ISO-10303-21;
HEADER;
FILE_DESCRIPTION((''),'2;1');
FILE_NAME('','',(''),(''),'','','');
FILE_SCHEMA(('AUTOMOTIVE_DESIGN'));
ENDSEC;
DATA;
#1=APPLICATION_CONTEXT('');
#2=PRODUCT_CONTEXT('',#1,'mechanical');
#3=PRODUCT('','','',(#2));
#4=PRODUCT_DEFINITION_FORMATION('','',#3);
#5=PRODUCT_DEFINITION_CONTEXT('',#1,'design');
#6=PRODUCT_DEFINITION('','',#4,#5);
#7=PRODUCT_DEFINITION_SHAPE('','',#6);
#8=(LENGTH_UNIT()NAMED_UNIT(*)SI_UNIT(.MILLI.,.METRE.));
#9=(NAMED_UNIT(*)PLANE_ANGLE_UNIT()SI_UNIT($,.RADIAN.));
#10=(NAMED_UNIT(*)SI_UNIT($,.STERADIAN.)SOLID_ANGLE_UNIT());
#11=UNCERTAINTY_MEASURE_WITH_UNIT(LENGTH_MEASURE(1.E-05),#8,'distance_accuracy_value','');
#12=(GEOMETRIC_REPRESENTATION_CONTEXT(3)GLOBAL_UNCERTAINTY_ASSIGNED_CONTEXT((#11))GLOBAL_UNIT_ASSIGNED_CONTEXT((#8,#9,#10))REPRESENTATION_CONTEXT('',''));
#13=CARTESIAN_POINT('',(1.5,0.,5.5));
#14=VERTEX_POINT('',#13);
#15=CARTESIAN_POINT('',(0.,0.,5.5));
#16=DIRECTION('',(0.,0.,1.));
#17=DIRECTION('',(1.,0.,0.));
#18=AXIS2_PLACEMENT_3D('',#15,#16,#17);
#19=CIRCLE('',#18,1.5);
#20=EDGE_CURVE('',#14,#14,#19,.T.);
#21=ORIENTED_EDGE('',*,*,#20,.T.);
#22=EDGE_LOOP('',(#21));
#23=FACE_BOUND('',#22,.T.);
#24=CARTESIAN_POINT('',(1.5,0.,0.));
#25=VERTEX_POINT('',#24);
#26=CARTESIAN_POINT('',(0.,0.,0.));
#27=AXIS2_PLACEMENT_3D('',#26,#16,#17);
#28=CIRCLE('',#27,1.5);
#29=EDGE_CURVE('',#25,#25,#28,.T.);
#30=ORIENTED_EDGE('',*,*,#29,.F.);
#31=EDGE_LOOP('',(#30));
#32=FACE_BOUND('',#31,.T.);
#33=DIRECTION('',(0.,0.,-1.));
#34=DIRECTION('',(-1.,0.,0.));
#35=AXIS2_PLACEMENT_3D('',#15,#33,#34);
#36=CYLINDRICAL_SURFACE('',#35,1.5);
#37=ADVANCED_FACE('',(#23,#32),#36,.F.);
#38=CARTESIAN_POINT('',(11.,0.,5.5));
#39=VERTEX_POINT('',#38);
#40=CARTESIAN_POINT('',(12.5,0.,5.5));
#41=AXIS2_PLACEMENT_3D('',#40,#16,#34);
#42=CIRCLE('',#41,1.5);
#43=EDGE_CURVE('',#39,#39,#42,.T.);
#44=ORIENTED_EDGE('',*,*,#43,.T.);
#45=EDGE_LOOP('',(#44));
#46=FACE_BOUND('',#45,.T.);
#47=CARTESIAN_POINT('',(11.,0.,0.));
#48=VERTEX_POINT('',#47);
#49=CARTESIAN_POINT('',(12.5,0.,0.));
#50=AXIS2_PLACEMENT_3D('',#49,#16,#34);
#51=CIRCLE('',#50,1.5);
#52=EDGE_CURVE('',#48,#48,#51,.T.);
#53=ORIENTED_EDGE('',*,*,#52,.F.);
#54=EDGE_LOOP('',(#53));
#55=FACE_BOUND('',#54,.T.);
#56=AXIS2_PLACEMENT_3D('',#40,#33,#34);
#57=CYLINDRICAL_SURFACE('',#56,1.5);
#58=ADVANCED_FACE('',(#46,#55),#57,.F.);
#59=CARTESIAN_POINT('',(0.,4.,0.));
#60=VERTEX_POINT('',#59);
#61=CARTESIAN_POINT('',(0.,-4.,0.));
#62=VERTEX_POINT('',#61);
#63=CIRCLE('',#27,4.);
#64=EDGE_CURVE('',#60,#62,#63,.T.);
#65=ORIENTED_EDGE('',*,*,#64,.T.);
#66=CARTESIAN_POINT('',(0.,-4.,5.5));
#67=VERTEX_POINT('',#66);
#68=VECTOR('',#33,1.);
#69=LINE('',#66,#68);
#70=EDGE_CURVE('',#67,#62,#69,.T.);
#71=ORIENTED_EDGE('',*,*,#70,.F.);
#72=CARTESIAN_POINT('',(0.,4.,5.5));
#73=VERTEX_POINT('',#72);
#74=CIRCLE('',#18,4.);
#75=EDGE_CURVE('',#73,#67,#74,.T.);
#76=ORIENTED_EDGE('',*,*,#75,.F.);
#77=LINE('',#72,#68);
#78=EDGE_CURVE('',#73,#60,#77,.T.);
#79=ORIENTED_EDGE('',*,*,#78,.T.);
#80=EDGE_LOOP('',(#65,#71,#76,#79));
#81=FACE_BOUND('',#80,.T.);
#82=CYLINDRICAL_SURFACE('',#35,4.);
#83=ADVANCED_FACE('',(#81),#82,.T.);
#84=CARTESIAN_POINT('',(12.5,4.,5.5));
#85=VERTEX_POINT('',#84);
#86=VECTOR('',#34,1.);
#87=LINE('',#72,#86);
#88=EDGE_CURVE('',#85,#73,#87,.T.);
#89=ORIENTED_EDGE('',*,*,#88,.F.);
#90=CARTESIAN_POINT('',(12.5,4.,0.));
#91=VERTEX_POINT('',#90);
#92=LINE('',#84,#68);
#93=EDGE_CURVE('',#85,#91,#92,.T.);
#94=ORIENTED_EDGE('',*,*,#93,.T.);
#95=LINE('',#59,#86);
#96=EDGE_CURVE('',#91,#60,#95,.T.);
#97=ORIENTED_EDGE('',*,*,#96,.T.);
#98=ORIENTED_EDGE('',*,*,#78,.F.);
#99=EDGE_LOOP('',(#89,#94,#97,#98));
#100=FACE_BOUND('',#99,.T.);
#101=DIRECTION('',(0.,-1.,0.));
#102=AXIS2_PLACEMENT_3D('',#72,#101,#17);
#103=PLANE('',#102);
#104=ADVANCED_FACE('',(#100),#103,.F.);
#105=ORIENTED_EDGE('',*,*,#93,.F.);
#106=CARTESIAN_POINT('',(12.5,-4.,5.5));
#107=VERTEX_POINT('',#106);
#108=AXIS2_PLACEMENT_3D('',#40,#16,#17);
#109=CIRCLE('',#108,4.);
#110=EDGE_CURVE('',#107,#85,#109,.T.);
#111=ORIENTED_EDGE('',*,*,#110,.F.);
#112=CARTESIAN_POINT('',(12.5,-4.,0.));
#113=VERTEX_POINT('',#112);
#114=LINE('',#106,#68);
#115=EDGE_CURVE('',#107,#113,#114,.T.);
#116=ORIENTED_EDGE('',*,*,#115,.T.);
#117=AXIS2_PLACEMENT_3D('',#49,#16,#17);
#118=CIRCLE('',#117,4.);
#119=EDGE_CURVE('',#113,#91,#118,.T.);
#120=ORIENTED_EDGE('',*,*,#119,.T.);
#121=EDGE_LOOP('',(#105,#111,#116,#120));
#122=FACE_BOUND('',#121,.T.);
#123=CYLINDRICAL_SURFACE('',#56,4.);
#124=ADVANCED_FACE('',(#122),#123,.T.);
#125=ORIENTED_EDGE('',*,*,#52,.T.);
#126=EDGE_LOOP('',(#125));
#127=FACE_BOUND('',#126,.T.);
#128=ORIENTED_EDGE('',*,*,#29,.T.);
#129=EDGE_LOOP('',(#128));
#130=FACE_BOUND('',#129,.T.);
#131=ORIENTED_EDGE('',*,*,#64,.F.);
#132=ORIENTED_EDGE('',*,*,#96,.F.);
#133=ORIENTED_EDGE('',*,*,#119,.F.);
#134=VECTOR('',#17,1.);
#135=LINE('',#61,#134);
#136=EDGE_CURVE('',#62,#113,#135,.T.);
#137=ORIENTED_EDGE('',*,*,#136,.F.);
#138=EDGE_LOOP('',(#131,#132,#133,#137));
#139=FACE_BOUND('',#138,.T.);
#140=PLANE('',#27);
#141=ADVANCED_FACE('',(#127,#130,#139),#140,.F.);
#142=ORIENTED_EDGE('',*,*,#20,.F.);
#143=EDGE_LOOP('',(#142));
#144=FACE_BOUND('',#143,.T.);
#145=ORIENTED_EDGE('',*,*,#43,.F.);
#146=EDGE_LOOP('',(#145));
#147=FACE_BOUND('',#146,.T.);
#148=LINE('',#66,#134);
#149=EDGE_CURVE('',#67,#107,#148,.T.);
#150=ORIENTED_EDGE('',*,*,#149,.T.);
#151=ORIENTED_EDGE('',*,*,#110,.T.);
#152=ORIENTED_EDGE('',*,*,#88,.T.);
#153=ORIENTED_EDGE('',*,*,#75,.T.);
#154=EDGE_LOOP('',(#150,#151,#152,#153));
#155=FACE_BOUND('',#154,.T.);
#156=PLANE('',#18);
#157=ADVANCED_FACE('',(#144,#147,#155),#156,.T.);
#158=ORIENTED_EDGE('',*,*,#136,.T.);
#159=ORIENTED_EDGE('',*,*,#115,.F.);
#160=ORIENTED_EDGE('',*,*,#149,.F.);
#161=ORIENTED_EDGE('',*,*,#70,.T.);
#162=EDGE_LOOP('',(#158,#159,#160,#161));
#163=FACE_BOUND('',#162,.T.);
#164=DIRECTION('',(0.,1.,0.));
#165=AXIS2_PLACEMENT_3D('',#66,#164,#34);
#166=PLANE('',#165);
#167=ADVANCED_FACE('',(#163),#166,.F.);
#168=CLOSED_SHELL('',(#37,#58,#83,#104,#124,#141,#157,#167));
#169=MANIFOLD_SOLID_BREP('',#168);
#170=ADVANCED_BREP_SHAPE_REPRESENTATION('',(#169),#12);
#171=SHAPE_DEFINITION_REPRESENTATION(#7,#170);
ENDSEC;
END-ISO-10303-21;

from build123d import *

# Parameters (mm, degrees)
SKETCH_1_R      = 1.5
EXTRUDE_1_DEPTH = 5.5


with BuildPart() as part:
    # ｽｹｯﾁ1 → ﾎﾞｽ - 押し出し1 (new body)
    with BuildSketch(Plane.XY):
        with BuildLine():
            Line((0, 4), (12.5, 4))
            ThreePointArc((12.5, 4), (16.5, 0), (12.5, -4))
            Line((12.5, -4), (0, -4))
            ThreePointArc((0, -4), (-4, 0), (0, 4))
        make_face()
        Circle(SKETCH_1_R, mode=Mode.SUBTRACT)
        with Locations(Location((12.5, 0, 0), (0, 0, 180))):
            Circle(SKETCH_1_R, mode=Mode.SUBTRACT)
    extrude(amount=EXTRUDE_1_DEPTH)


solid = part.part
